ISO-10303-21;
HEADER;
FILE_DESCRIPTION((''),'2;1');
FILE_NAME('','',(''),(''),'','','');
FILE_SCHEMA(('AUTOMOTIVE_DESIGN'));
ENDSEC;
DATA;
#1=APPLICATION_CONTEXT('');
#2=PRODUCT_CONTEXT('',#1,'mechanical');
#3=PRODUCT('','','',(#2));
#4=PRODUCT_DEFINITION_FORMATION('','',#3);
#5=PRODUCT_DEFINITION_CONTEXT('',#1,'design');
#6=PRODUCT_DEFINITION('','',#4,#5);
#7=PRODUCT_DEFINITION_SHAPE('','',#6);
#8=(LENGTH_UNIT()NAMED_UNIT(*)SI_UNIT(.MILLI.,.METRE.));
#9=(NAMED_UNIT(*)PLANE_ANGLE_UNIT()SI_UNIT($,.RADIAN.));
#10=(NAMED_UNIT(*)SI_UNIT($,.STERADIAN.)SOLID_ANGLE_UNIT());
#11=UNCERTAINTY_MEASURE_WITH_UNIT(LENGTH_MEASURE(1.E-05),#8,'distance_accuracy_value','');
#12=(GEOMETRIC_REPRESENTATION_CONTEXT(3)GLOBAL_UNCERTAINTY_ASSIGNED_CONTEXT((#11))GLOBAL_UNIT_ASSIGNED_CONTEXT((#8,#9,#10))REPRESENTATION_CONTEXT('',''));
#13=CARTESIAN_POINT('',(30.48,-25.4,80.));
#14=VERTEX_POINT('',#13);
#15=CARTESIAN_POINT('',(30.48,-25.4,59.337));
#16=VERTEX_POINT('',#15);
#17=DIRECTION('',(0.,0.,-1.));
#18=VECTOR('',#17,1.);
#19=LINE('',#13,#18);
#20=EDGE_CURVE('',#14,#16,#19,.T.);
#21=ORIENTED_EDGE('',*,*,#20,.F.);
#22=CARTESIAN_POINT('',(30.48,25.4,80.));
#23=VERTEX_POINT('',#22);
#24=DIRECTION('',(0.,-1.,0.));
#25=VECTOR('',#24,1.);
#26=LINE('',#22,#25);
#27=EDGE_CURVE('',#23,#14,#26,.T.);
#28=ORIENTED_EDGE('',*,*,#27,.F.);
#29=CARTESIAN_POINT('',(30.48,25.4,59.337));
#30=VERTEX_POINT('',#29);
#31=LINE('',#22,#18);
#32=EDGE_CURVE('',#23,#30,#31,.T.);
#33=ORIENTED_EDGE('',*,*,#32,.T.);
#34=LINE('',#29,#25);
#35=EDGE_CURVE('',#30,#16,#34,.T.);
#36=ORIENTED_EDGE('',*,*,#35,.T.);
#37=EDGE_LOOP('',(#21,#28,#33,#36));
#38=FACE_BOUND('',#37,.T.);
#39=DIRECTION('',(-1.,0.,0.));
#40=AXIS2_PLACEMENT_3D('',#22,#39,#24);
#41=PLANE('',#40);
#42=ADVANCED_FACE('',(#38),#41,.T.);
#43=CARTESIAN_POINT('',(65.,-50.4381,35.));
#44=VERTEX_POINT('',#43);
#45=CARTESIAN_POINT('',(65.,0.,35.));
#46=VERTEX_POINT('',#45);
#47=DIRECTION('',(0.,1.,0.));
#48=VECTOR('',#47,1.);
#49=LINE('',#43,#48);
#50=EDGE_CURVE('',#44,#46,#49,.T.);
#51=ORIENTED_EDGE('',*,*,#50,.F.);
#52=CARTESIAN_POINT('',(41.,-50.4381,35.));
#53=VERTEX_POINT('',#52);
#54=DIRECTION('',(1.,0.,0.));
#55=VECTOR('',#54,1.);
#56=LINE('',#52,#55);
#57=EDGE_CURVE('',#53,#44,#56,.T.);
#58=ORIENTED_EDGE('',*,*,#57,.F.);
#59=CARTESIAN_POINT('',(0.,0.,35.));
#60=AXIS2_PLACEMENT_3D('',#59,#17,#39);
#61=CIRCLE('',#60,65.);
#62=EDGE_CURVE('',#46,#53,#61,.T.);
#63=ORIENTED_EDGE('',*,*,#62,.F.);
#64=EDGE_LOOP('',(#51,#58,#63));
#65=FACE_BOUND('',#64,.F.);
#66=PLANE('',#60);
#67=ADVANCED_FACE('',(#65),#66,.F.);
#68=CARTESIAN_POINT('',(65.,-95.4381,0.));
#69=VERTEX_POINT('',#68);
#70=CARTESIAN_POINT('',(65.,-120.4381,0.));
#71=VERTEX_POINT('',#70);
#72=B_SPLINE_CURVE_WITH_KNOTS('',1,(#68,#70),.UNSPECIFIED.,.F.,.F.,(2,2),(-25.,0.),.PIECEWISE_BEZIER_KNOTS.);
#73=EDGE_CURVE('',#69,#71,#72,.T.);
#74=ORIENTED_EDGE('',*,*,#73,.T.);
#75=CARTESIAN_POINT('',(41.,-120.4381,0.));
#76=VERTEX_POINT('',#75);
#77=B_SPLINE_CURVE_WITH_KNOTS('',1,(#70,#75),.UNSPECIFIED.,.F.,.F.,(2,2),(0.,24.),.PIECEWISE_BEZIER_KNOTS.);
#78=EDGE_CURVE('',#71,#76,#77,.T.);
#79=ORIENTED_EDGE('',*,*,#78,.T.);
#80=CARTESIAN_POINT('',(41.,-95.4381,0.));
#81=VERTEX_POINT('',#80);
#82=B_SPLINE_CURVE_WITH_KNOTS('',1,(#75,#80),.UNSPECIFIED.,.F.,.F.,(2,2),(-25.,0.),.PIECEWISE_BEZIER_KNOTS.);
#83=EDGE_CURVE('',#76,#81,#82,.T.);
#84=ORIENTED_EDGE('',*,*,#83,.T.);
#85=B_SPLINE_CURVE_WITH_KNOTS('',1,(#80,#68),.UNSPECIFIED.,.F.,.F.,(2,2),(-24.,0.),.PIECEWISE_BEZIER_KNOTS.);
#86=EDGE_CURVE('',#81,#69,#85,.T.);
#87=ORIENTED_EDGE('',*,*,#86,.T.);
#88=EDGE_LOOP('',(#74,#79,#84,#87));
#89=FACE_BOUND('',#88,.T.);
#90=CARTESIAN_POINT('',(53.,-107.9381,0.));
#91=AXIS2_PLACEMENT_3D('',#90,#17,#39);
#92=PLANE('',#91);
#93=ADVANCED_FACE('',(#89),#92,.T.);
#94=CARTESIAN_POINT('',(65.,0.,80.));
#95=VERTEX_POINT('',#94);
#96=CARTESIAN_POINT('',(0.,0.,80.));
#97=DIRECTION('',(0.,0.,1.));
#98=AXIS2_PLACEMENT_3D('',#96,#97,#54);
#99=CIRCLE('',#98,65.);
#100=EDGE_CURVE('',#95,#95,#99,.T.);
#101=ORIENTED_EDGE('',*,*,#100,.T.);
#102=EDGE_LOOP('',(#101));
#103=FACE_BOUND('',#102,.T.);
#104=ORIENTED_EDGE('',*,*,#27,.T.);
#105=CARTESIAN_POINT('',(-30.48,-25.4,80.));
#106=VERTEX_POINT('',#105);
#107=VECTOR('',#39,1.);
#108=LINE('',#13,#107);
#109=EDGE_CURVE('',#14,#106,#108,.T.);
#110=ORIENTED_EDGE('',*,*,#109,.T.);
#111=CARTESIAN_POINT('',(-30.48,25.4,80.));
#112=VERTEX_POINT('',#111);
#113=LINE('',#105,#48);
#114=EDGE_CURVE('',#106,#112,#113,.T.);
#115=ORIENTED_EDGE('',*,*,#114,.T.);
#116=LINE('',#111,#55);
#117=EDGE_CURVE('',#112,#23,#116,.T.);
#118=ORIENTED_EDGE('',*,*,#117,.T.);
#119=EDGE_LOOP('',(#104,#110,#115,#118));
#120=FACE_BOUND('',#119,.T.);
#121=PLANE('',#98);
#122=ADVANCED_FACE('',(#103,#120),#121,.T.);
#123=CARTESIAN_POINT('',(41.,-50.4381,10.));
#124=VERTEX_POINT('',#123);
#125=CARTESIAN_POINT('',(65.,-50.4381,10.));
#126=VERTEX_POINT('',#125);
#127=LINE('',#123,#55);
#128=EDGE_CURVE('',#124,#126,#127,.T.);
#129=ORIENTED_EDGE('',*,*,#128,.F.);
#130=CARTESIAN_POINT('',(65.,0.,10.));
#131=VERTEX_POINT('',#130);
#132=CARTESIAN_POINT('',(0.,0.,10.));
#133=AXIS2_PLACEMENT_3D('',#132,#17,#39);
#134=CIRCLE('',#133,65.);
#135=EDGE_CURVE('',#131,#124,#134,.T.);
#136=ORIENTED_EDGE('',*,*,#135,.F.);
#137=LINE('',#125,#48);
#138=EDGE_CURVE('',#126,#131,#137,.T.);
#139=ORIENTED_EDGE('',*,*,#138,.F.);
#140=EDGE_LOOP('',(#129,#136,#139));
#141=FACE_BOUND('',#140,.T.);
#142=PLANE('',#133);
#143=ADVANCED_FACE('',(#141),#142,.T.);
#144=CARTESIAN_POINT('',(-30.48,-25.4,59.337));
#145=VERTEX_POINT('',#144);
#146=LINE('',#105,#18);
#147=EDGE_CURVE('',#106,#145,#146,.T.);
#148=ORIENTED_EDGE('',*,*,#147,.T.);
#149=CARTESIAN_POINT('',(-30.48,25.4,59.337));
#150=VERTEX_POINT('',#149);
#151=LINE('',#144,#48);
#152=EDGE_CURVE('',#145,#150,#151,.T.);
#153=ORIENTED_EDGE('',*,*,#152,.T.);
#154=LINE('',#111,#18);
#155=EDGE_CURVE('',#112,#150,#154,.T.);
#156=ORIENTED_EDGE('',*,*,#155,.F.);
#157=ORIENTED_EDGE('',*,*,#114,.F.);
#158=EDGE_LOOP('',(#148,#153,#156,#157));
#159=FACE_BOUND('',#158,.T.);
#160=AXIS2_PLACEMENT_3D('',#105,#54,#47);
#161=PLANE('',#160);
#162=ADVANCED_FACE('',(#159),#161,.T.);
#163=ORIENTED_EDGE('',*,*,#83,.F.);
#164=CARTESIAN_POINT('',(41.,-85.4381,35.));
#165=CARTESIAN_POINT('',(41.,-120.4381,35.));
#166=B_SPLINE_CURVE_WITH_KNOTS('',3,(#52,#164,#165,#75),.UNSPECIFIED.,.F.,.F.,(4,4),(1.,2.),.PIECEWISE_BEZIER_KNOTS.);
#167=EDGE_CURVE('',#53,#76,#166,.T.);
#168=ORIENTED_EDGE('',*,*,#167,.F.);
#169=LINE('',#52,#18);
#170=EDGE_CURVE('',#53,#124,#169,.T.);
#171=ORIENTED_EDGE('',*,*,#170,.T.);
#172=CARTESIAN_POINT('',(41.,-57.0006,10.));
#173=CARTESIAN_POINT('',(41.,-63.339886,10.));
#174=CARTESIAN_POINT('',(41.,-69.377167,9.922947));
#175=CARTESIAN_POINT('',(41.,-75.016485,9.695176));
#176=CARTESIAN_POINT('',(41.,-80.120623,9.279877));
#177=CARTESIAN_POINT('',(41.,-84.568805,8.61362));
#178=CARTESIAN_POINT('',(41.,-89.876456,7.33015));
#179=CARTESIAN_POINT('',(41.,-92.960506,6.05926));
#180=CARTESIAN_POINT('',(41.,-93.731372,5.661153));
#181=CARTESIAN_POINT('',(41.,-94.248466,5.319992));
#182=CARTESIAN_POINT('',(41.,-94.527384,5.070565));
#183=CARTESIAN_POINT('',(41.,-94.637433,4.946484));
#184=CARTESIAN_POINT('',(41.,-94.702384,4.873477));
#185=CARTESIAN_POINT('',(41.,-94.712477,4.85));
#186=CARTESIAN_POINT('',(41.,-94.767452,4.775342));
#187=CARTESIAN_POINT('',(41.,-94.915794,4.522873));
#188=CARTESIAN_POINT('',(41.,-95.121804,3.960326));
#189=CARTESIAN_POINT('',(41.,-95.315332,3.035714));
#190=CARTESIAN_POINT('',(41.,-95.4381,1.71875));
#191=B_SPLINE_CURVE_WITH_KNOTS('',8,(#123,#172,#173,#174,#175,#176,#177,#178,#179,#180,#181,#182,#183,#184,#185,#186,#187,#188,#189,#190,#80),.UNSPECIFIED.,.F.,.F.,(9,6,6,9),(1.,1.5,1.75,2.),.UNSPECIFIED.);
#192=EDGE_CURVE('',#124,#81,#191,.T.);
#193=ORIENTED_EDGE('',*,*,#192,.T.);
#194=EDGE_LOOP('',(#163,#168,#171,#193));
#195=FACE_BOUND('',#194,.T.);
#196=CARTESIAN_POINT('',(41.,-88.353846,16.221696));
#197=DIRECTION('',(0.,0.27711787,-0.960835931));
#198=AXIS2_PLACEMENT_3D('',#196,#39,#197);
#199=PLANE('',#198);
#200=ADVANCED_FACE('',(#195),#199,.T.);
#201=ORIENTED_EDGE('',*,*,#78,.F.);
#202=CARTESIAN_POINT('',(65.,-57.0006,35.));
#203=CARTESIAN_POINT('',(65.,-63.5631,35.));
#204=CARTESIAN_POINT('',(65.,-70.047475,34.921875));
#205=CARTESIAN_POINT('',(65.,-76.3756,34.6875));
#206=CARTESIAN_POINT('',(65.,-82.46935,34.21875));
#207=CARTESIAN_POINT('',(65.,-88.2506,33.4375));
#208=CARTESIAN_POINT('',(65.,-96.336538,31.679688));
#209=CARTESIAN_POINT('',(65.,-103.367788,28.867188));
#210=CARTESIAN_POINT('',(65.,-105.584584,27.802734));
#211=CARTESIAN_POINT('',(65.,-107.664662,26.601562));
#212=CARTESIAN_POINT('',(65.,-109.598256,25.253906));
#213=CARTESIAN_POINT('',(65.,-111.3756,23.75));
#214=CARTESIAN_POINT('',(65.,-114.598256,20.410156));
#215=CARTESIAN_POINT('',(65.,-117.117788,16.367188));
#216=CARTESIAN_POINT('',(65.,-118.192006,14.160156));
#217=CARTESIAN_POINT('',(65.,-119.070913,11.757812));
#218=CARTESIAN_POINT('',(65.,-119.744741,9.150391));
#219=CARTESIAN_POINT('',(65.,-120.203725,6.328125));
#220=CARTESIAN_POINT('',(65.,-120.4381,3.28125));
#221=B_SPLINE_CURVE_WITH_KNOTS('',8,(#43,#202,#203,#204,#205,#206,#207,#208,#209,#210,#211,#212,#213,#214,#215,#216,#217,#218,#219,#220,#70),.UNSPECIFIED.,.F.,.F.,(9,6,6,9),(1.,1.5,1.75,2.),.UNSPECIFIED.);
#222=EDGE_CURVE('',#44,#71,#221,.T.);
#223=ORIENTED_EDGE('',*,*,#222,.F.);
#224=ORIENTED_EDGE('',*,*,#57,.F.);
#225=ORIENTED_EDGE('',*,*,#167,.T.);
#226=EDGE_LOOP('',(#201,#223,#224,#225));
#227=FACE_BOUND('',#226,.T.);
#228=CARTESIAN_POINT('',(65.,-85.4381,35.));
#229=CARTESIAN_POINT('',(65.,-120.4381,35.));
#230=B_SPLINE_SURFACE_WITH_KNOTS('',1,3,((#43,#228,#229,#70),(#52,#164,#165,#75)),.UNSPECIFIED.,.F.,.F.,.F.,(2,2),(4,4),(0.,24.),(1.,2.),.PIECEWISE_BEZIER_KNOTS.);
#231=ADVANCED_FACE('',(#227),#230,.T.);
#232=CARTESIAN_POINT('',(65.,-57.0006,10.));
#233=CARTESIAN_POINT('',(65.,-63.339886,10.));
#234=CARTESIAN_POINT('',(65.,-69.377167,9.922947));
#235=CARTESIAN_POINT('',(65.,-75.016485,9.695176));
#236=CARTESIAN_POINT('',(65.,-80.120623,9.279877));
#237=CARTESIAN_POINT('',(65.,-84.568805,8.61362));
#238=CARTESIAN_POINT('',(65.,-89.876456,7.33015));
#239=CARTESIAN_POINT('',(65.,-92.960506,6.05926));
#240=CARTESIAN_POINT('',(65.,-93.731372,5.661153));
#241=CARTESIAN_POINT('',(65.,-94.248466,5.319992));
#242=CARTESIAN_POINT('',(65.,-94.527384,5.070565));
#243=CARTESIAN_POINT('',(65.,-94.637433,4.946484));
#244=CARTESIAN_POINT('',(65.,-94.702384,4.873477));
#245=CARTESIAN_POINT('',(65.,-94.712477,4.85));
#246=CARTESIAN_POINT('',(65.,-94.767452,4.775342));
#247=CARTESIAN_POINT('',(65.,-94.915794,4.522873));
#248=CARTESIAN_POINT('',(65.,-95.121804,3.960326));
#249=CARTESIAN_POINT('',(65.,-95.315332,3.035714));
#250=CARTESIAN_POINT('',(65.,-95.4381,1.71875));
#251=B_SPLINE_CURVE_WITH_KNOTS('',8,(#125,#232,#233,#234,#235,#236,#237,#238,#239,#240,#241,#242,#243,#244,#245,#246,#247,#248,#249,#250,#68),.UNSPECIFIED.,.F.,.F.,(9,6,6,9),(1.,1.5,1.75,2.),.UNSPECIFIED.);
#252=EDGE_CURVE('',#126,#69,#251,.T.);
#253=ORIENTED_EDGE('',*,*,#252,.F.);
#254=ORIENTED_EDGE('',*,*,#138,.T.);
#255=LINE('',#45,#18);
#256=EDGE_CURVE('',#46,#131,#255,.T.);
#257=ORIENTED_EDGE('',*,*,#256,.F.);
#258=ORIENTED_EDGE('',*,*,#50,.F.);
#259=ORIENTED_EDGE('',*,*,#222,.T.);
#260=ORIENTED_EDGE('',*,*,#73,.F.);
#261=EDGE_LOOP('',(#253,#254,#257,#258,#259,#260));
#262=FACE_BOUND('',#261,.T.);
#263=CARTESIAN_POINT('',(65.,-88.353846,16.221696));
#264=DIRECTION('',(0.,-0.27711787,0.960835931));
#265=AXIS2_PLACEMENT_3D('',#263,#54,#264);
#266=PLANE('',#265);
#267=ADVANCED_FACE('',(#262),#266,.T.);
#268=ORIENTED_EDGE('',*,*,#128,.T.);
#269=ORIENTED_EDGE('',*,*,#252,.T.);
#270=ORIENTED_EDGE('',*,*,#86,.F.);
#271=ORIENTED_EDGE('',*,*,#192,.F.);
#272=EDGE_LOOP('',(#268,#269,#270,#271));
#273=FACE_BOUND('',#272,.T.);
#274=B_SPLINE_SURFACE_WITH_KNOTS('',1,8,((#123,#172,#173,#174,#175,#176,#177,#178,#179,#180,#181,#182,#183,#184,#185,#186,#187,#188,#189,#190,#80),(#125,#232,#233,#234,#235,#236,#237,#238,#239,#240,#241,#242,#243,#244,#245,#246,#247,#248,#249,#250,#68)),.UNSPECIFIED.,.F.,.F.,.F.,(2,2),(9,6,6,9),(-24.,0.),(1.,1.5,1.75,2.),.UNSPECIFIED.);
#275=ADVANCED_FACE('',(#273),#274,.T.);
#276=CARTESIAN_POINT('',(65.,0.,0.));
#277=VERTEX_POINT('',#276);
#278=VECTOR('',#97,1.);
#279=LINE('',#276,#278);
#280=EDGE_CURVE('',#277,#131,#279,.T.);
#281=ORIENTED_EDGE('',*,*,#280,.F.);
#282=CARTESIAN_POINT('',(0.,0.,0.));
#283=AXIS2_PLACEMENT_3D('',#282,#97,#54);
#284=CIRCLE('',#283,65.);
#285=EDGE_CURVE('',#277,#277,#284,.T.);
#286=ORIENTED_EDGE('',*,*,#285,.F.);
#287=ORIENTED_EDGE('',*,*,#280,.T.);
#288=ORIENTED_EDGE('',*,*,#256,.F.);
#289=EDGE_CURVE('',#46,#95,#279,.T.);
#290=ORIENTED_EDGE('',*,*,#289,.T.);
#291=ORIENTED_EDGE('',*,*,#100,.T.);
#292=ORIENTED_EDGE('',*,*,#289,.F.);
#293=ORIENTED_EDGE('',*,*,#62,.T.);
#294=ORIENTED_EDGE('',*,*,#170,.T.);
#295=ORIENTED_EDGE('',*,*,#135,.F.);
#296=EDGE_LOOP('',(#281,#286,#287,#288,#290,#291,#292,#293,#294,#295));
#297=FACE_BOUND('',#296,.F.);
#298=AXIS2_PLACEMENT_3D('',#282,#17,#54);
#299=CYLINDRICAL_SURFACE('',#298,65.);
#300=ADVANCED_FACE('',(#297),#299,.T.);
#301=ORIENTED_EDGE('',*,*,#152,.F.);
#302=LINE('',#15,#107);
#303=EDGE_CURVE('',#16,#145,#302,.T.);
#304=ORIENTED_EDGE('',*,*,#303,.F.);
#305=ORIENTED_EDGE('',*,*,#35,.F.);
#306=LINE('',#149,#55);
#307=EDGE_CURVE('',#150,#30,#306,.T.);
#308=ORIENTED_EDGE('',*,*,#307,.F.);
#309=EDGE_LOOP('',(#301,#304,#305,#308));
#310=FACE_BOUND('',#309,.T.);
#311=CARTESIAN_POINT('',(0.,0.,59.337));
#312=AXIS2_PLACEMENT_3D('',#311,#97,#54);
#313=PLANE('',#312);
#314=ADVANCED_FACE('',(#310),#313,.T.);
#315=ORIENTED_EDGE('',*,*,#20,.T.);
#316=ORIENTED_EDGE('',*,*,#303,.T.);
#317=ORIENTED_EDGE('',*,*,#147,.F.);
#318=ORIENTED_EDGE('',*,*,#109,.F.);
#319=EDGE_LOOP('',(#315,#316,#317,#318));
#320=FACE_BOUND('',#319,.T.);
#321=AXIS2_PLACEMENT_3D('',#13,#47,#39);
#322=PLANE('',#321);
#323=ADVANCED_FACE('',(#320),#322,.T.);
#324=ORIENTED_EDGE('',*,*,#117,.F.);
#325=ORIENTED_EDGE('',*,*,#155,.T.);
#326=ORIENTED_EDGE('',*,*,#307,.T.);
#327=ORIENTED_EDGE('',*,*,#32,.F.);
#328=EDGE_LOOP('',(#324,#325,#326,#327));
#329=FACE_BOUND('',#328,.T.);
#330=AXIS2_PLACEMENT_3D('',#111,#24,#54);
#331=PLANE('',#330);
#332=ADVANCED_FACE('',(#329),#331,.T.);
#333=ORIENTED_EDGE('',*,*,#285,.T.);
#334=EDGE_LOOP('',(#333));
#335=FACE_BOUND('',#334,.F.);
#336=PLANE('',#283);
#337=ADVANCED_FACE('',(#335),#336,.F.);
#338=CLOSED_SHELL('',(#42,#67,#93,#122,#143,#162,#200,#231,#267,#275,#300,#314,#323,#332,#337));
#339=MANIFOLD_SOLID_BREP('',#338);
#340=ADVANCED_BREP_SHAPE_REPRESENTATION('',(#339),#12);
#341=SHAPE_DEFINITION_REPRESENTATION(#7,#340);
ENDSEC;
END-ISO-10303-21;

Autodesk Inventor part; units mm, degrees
ref_plane "XZ Plane" through (0, 0, 0) normal (0, 1, 0) x (-1, 0, 0)
sketch "Sketch1" plane through (0, 0, 0) normal (0, 0, 1) x (1, 0, 0)
  circle A0 centre (0, 0) radius 65
  dimension "d0" = 130
extrude "Extrusion1" add sketch "Sketch1" along normal blind 80
ref_plane "Work Plane1" through (0, 0, 35) normal (0, 0, -1) x (-1, 0, 0)
ref_plane "Work Plane2" through (65, 0, 0) normal (1, 0, 0) x (0, 1, 0)
sketch "Sketch2" plane through (0, 0, 35) normal (0, 0, -1) x (-1, 0, 0)
  circle A0 centre (0, 0) radius 65 projected
  line L0 (0, 0) -> (-65, 0) construction
  circle A1 centre (0, 0) radius 65 projected
  line L1 (-65, 0) -> (-41, 0)
  line L2 (-41, 0) -> (-41, -50.4381)
  line L3 (-41, -50.4381) -> (-65, -50.4381)
  line L4 (-65, -50.4381) -> (-65, 0)
  dimension "d4" = 24
extrude "Extrusion2" add sketch "Sketch2" along normal blind 25 contours A0 L3 L4
sketch "Sketch3" plane through (65, 0, 0) normal (1, 0, 0) x (0, 1, 0)
  line L0 (0, 35) -> (-50.4381, 35) projected
  line L1 (-50.4381, 35) -> (-50.4381, 10) projected
  line L2 (0, 10) -> (-50.4381, 10) construction
  line L3 (0, 10) -> (0, 35) construction
  line L4 (0, 35) -> (-50.4381, 35) projected
  line L5 (-50.4381, 35) -> (-85.4381, 35) construction
  line L6 (-85.4381, 35) -> (-120.4381, 35) construction
  line L7 (-120.4381, 35) -> (-120.4381, 0) construction
  spline S0 degree 3 poles (-50.4381, 35) (-85.4381, 35) (-120.4381, 35) (-120.4381, 0) knots 1 1 1 1 2 2 2 2
  line L8 (0, 0) -> (-133.4667, 0) construction
  line L9 (-120.4381, 0) -> (-120.4381, 80.5106) construction
  line L10 (-50.4381, 35) -> (-166.769, 35) construction
  line L11 (111.3538, 35) -> (-213.1228, 35) construction
  dimension "d7" = 70
  dimension "d8" = 35
  dimension "d9" = 35
sketch "Sketch4" plane through (41, -50.4381, 35) normal (0, -1, 0) x (1, 0, 0)
  line L0 (24, 0) -> (0, 0) projected
  line L1 (0, -25) -> (0, 0) projected
  line L2 (24, -25) -> (0, -25) projected
  line L3 (24, 0) -> (24, -25) projected
  point P0 (-41, -35)
sweep "Sweep1" add profiles "Sketch4" path "Sketch3" path curves S0
sketch "Sketch5" plane through (0, 0, 80) normal (0, 0, 1) x (1, 0, 0)
  circle A0 centre (0, 0) radius 65 projected
  line L0 (-30.48, 25.4) -> (30.48, 25.4)
  line L1 (30.48, 25.4) -> (30.48, -25.4)
  line L2 (30.48, -25.4) -> (-30.48, -25.4)
  line L3 (-30.48, -25.4) -> (-30.48, 25.4)
  line L4 (-30.48, 25.4) -> (30.48, -25.4) construction
  line L5 (30.48, 25.4) -> (-30.48, -25.4) construction
  dimension "d12" = 60.96
  dimension "d13" = 50.8
extrude "Extrusion3" cut sketch "Sketch5" against normal blind 20.663 contours L0 L1 L2 L3
properties part number "Dust Bin CFD"
